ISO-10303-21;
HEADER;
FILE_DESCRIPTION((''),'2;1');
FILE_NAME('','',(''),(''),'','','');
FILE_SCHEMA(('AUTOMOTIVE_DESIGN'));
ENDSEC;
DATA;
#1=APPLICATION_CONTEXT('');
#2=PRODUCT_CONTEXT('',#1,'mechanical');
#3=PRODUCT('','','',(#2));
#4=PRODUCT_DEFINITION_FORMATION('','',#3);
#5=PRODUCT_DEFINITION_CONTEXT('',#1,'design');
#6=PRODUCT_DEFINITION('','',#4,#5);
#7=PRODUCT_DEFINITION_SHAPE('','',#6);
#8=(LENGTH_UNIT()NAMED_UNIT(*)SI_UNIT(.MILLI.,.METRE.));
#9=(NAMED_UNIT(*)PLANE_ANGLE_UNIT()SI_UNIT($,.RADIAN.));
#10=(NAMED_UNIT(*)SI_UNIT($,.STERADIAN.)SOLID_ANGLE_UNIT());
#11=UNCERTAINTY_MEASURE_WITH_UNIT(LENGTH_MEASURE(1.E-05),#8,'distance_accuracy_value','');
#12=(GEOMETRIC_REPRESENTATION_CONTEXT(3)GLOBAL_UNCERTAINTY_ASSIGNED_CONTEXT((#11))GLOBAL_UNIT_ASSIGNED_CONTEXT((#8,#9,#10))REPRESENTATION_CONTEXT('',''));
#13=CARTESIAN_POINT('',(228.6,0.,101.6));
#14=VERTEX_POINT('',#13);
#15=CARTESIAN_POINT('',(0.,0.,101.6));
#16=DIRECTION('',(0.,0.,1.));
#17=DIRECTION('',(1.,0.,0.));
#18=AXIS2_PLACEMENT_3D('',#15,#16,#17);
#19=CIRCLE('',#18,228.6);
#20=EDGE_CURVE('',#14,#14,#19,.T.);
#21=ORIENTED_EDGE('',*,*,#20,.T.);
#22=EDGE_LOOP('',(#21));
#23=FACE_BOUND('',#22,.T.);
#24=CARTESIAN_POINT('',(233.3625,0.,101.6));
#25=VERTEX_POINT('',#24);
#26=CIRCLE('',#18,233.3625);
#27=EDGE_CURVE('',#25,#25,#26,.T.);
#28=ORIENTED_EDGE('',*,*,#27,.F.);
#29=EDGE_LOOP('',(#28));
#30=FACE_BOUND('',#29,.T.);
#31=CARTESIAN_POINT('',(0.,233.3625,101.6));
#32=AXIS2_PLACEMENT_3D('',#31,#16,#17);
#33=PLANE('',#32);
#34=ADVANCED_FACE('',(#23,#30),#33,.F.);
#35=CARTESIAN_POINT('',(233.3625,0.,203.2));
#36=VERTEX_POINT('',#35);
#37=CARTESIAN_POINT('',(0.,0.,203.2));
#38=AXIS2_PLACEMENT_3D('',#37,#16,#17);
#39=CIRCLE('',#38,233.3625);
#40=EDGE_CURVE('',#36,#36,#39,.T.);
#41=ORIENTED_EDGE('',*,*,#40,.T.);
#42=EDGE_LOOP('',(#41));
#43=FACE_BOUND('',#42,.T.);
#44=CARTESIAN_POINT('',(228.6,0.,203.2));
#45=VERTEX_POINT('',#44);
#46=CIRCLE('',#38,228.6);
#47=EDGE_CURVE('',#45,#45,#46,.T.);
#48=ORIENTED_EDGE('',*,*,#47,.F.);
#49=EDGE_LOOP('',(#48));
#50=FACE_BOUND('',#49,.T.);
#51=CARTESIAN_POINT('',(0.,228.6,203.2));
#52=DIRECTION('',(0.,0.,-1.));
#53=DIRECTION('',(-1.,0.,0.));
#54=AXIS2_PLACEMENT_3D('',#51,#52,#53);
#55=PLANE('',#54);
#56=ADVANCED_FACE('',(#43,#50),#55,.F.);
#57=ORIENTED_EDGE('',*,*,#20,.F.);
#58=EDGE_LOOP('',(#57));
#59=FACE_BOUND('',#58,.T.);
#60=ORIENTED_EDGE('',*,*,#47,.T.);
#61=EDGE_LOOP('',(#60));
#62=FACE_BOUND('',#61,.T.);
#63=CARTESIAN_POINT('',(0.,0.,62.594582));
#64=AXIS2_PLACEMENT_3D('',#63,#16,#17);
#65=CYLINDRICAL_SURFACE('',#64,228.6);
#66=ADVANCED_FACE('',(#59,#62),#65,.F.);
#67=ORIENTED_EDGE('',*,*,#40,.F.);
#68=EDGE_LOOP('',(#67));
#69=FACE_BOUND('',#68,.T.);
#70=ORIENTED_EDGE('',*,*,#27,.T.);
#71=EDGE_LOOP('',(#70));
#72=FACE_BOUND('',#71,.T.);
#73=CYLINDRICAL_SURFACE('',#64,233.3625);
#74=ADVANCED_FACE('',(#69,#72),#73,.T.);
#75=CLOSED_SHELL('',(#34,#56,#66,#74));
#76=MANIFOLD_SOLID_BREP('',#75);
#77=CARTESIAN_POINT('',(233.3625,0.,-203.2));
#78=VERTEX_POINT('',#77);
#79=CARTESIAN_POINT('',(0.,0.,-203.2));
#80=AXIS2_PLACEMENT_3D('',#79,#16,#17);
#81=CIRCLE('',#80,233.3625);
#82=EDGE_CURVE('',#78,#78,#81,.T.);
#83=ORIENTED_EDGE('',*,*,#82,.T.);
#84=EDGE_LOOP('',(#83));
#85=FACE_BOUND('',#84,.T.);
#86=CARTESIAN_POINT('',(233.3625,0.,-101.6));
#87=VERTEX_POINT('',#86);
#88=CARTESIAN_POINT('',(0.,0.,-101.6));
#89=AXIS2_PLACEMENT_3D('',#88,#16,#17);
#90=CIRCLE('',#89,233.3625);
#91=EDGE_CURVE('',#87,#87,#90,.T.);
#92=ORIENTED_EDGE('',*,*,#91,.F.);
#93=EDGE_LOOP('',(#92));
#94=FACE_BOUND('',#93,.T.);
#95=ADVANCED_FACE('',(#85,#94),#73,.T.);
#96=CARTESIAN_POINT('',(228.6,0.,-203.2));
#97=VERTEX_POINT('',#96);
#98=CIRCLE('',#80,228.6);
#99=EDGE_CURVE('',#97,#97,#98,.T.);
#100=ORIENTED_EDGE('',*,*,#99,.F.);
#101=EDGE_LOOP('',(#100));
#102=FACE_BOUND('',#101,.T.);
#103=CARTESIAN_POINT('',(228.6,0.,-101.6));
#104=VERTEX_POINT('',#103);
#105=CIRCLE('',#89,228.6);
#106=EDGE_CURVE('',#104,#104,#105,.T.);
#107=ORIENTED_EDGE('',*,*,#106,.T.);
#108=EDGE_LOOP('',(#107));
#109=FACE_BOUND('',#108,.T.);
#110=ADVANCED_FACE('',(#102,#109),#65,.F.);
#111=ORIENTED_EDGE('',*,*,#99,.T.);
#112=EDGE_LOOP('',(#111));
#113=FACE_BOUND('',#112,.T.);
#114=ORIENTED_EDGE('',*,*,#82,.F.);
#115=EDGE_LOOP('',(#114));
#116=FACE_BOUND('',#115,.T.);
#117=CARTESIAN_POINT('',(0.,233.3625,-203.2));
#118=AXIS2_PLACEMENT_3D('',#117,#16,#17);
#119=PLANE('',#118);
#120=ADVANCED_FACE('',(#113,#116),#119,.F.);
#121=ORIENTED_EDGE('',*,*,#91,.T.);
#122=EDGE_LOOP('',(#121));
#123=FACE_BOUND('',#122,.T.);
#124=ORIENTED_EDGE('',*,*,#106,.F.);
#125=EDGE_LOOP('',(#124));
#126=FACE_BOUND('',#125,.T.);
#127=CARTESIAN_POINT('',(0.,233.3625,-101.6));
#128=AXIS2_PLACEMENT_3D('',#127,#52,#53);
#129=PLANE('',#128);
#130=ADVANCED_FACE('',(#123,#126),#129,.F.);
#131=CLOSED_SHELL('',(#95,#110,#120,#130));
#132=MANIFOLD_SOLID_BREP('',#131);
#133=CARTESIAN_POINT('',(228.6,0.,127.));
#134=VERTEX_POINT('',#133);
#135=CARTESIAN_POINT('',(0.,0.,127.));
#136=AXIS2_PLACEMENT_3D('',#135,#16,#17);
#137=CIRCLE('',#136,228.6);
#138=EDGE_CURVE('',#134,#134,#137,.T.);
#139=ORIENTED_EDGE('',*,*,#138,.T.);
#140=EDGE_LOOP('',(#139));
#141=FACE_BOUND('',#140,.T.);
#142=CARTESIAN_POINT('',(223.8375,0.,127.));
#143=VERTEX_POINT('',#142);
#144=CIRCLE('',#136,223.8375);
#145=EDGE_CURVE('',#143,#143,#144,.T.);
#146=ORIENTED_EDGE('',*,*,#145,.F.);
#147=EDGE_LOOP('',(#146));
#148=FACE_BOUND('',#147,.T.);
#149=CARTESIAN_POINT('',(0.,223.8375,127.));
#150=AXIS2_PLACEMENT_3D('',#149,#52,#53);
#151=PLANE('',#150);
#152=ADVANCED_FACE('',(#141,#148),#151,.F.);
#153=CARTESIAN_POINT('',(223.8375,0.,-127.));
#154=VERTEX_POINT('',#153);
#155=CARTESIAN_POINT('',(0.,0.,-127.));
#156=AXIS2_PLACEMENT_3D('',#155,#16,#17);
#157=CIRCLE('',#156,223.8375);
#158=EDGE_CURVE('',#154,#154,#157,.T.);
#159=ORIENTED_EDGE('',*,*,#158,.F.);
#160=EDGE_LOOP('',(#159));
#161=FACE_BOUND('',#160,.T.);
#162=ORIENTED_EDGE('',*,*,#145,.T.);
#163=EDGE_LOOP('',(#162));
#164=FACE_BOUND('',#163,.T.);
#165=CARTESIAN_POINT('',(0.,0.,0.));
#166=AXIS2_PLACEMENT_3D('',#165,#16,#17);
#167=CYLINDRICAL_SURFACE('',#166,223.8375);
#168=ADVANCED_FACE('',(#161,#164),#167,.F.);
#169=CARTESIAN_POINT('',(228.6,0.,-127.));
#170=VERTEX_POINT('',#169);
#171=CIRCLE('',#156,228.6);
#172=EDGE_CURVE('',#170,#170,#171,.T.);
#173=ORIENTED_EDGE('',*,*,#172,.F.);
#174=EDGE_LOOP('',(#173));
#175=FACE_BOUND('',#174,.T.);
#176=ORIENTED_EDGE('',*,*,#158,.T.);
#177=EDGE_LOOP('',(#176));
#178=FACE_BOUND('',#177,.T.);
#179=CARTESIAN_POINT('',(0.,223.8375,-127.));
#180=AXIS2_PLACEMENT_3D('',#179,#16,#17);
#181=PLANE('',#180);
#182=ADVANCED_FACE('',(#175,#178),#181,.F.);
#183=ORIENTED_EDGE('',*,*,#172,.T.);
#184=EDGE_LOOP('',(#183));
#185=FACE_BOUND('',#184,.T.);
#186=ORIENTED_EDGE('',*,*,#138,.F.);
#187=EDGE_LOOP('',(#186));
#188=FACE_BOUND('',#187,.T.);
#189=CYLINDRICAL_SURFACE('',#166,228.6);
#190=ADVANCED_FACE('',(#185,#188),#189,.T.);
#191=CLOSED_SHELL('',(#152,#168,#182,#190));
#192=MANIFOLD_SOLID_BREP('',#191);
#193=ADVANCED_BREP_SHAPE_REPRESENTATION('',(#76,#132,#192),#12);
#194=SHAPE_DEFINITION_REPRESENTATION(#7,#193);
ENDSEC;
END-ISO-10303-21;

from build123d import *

# Parameters (mm, degrees)
SKETCH2_W = 101.6
SKETCH2_H = 4.7625
SKETCH3_W = 254
SKETCH3_H = 4.7625


with BuildPart() as part:
    # Sketch2 → Revolve1 (revolve)
    with BuildSketch(Plane(origin=(0, 0, 0), x_dir=(0, 0, -1), z_dir=(1, 0, 0)), mode=Mode.PRIVATE) as revolve1_sk:
        with Locations((-152.4, 230.98125)):
            Rectangle(SKETCH2_W, SKETCH2_H)
        with Locations((152.4, 230.98125)):
            Rectangle(SKETCH2_W, SKETCH2_H)
    revolve(revolve1_sk.sketch.rotate(Axis((0, 0, 62.594581749), (0, 0, -1)), 90), axis=Axis((0, 0, 62.594581749), (0, 0, -1)))  # turned: the seam where the file's is


with BuildPart() as body_2:
    # Sketch3 → Revolve2 (revolve)
    with BuildSketch(Plane(origin=(0, 0, 0), x_dir=(0, 0, -1), z_dir=(1, 0, 0)), mode=Mode.PRIVATE) as revolve2_sk:
        with Locations((0, 226.21875)):
            Rectangle(SKETCH3_W, SKETCH3_H)
    revolve(revolve2_sk.sketch.rotate(Axis((0, 0, 0), (0, 0, -1)), 90), axis=Axis((0, 0, 0), (0, 0, -1)))  # turned: the seam where the file's is


solid = Compound([part.part, body_2.part])
